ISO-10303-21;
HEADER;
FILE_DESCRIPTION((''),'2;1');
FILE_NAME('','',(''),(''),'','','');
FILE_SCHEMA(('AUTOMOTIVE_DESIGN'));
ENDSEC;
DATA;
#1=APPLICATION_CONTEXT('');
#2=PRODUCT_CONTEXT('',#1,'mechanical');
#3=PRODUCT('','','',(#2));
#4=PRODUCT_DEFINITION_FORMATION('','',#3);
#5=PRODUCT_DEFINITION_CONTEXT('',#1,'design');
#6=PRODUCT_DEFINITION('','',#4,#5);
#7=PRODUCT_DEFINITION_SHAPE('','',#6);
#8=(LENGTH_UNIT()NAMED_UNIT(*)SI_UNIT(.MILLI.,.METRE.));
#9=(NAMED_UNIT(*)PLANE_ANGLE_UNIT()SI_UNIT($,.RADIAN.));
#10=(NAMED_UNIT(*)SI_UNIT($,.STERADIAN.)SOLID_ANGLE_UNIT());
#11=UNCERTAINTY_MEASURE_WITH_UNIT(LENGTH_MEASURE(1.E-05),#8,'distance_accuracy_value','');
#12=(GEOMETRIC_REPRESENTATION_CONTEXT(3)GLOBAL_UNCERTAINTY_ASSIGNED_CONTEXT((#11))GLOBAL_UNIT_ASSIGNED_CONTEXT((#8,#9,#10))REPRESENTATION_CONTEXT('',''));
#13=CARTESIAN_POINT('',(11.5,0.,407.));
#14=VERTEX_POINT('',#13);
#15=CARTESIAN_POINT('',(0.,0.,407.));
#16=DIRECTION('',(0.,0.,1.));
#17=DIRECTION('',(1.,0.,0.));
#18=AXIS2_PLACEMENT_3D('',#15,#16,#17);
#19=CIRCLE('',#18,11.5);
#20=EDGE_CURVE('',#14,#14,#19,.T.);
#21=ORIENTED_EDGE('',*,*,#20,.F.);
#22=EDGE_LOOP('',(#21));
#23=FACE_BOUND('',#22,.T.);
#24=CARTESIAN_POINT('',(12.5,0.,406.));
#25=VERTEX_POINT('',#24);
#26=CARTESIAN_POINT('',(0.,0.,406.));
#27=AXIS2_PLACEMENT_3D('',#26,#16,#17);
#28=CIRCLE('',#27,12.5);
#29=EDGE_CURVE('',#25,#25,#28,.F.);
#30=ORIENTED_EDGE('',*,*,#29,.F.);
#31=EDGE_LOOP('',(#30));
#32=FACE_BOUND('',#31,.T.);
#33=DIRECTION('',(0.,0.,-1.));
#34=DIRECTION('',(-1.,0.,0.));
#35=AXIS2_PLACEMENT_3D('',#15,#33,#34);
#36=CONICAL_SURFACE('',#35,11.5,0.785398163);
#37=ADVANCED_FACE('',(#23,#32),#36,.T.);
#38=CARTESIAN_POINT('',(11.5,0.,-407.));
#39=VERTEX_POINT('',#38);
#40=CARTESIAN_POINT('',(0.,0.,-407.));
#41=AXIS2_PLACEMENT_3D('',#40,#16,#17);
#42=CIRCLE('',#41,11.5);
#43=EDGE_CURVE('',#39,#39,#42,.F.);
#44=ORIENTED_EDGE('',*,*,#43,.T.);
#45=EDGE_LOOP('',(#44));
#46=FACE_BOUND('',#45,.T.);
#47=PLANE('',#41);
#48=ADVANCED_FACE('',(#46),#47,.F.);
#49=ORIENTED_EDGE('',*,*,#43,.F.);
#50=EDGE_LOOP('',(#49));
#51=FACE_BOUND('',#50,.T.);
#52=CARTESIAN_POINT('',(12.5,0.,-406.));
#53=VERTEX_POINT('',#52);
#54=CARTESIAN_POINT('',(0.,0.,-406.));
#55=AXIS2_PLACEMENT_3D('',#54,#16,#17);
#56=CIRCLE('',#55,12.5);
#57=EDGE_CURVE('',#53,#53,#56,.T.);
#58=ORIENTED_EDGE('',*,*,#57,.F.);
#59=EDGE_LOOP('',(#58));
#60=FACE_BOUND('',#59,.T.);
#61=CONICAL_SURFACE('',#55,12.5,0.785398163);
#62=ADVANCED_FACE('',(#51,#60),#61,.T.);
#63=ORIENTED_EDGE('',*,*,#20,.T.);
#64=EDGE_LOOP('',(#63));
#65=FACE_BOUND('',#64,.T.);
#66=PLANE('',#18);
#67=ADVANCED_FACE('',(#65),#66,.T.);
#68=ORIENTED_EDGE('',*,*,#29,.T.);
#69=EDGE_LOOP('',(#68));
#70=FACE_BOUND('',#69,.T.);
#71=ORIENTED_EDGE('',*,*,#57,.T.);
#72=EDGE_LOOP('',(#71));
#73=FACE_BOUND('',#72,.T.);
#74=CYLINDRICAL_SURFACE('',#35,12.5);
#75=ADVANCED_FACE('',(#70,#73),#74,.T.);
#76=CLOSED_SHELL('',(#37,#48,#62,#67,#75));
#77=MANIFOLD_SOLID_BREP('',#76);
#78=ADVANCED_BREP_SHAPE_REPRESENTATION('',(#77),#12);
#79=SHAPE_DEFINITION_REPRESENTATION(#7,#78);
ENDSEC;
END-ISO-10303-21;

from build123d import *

# Parameters (mm, degrees)
SKETCH_1_R      = 12.5
EXTRUDE_1_DEPTH = 407
CHAMFER_1_SIZE  = 1


with BuildPart() as part:
    # Эскиз1 → Бобышка-Вытянуть1 (new, symmetric)
    with BuildSketch(Plane.XY):
        Circle(SKETCH_1_R)
    extrude(amount=EXTRUDE_1_DEPTH, both=True)

    # Фаска1
    chamfer_1_edges = [part.edges().sort_by_distance(p)[0] for p in [
        (-12.5, 0, -407),
        (-12.5, 0, 407),
    ]]
    chamfer(chamfer_1_edges, length=CHAMFER_1_SIZE)


solid = part.part
